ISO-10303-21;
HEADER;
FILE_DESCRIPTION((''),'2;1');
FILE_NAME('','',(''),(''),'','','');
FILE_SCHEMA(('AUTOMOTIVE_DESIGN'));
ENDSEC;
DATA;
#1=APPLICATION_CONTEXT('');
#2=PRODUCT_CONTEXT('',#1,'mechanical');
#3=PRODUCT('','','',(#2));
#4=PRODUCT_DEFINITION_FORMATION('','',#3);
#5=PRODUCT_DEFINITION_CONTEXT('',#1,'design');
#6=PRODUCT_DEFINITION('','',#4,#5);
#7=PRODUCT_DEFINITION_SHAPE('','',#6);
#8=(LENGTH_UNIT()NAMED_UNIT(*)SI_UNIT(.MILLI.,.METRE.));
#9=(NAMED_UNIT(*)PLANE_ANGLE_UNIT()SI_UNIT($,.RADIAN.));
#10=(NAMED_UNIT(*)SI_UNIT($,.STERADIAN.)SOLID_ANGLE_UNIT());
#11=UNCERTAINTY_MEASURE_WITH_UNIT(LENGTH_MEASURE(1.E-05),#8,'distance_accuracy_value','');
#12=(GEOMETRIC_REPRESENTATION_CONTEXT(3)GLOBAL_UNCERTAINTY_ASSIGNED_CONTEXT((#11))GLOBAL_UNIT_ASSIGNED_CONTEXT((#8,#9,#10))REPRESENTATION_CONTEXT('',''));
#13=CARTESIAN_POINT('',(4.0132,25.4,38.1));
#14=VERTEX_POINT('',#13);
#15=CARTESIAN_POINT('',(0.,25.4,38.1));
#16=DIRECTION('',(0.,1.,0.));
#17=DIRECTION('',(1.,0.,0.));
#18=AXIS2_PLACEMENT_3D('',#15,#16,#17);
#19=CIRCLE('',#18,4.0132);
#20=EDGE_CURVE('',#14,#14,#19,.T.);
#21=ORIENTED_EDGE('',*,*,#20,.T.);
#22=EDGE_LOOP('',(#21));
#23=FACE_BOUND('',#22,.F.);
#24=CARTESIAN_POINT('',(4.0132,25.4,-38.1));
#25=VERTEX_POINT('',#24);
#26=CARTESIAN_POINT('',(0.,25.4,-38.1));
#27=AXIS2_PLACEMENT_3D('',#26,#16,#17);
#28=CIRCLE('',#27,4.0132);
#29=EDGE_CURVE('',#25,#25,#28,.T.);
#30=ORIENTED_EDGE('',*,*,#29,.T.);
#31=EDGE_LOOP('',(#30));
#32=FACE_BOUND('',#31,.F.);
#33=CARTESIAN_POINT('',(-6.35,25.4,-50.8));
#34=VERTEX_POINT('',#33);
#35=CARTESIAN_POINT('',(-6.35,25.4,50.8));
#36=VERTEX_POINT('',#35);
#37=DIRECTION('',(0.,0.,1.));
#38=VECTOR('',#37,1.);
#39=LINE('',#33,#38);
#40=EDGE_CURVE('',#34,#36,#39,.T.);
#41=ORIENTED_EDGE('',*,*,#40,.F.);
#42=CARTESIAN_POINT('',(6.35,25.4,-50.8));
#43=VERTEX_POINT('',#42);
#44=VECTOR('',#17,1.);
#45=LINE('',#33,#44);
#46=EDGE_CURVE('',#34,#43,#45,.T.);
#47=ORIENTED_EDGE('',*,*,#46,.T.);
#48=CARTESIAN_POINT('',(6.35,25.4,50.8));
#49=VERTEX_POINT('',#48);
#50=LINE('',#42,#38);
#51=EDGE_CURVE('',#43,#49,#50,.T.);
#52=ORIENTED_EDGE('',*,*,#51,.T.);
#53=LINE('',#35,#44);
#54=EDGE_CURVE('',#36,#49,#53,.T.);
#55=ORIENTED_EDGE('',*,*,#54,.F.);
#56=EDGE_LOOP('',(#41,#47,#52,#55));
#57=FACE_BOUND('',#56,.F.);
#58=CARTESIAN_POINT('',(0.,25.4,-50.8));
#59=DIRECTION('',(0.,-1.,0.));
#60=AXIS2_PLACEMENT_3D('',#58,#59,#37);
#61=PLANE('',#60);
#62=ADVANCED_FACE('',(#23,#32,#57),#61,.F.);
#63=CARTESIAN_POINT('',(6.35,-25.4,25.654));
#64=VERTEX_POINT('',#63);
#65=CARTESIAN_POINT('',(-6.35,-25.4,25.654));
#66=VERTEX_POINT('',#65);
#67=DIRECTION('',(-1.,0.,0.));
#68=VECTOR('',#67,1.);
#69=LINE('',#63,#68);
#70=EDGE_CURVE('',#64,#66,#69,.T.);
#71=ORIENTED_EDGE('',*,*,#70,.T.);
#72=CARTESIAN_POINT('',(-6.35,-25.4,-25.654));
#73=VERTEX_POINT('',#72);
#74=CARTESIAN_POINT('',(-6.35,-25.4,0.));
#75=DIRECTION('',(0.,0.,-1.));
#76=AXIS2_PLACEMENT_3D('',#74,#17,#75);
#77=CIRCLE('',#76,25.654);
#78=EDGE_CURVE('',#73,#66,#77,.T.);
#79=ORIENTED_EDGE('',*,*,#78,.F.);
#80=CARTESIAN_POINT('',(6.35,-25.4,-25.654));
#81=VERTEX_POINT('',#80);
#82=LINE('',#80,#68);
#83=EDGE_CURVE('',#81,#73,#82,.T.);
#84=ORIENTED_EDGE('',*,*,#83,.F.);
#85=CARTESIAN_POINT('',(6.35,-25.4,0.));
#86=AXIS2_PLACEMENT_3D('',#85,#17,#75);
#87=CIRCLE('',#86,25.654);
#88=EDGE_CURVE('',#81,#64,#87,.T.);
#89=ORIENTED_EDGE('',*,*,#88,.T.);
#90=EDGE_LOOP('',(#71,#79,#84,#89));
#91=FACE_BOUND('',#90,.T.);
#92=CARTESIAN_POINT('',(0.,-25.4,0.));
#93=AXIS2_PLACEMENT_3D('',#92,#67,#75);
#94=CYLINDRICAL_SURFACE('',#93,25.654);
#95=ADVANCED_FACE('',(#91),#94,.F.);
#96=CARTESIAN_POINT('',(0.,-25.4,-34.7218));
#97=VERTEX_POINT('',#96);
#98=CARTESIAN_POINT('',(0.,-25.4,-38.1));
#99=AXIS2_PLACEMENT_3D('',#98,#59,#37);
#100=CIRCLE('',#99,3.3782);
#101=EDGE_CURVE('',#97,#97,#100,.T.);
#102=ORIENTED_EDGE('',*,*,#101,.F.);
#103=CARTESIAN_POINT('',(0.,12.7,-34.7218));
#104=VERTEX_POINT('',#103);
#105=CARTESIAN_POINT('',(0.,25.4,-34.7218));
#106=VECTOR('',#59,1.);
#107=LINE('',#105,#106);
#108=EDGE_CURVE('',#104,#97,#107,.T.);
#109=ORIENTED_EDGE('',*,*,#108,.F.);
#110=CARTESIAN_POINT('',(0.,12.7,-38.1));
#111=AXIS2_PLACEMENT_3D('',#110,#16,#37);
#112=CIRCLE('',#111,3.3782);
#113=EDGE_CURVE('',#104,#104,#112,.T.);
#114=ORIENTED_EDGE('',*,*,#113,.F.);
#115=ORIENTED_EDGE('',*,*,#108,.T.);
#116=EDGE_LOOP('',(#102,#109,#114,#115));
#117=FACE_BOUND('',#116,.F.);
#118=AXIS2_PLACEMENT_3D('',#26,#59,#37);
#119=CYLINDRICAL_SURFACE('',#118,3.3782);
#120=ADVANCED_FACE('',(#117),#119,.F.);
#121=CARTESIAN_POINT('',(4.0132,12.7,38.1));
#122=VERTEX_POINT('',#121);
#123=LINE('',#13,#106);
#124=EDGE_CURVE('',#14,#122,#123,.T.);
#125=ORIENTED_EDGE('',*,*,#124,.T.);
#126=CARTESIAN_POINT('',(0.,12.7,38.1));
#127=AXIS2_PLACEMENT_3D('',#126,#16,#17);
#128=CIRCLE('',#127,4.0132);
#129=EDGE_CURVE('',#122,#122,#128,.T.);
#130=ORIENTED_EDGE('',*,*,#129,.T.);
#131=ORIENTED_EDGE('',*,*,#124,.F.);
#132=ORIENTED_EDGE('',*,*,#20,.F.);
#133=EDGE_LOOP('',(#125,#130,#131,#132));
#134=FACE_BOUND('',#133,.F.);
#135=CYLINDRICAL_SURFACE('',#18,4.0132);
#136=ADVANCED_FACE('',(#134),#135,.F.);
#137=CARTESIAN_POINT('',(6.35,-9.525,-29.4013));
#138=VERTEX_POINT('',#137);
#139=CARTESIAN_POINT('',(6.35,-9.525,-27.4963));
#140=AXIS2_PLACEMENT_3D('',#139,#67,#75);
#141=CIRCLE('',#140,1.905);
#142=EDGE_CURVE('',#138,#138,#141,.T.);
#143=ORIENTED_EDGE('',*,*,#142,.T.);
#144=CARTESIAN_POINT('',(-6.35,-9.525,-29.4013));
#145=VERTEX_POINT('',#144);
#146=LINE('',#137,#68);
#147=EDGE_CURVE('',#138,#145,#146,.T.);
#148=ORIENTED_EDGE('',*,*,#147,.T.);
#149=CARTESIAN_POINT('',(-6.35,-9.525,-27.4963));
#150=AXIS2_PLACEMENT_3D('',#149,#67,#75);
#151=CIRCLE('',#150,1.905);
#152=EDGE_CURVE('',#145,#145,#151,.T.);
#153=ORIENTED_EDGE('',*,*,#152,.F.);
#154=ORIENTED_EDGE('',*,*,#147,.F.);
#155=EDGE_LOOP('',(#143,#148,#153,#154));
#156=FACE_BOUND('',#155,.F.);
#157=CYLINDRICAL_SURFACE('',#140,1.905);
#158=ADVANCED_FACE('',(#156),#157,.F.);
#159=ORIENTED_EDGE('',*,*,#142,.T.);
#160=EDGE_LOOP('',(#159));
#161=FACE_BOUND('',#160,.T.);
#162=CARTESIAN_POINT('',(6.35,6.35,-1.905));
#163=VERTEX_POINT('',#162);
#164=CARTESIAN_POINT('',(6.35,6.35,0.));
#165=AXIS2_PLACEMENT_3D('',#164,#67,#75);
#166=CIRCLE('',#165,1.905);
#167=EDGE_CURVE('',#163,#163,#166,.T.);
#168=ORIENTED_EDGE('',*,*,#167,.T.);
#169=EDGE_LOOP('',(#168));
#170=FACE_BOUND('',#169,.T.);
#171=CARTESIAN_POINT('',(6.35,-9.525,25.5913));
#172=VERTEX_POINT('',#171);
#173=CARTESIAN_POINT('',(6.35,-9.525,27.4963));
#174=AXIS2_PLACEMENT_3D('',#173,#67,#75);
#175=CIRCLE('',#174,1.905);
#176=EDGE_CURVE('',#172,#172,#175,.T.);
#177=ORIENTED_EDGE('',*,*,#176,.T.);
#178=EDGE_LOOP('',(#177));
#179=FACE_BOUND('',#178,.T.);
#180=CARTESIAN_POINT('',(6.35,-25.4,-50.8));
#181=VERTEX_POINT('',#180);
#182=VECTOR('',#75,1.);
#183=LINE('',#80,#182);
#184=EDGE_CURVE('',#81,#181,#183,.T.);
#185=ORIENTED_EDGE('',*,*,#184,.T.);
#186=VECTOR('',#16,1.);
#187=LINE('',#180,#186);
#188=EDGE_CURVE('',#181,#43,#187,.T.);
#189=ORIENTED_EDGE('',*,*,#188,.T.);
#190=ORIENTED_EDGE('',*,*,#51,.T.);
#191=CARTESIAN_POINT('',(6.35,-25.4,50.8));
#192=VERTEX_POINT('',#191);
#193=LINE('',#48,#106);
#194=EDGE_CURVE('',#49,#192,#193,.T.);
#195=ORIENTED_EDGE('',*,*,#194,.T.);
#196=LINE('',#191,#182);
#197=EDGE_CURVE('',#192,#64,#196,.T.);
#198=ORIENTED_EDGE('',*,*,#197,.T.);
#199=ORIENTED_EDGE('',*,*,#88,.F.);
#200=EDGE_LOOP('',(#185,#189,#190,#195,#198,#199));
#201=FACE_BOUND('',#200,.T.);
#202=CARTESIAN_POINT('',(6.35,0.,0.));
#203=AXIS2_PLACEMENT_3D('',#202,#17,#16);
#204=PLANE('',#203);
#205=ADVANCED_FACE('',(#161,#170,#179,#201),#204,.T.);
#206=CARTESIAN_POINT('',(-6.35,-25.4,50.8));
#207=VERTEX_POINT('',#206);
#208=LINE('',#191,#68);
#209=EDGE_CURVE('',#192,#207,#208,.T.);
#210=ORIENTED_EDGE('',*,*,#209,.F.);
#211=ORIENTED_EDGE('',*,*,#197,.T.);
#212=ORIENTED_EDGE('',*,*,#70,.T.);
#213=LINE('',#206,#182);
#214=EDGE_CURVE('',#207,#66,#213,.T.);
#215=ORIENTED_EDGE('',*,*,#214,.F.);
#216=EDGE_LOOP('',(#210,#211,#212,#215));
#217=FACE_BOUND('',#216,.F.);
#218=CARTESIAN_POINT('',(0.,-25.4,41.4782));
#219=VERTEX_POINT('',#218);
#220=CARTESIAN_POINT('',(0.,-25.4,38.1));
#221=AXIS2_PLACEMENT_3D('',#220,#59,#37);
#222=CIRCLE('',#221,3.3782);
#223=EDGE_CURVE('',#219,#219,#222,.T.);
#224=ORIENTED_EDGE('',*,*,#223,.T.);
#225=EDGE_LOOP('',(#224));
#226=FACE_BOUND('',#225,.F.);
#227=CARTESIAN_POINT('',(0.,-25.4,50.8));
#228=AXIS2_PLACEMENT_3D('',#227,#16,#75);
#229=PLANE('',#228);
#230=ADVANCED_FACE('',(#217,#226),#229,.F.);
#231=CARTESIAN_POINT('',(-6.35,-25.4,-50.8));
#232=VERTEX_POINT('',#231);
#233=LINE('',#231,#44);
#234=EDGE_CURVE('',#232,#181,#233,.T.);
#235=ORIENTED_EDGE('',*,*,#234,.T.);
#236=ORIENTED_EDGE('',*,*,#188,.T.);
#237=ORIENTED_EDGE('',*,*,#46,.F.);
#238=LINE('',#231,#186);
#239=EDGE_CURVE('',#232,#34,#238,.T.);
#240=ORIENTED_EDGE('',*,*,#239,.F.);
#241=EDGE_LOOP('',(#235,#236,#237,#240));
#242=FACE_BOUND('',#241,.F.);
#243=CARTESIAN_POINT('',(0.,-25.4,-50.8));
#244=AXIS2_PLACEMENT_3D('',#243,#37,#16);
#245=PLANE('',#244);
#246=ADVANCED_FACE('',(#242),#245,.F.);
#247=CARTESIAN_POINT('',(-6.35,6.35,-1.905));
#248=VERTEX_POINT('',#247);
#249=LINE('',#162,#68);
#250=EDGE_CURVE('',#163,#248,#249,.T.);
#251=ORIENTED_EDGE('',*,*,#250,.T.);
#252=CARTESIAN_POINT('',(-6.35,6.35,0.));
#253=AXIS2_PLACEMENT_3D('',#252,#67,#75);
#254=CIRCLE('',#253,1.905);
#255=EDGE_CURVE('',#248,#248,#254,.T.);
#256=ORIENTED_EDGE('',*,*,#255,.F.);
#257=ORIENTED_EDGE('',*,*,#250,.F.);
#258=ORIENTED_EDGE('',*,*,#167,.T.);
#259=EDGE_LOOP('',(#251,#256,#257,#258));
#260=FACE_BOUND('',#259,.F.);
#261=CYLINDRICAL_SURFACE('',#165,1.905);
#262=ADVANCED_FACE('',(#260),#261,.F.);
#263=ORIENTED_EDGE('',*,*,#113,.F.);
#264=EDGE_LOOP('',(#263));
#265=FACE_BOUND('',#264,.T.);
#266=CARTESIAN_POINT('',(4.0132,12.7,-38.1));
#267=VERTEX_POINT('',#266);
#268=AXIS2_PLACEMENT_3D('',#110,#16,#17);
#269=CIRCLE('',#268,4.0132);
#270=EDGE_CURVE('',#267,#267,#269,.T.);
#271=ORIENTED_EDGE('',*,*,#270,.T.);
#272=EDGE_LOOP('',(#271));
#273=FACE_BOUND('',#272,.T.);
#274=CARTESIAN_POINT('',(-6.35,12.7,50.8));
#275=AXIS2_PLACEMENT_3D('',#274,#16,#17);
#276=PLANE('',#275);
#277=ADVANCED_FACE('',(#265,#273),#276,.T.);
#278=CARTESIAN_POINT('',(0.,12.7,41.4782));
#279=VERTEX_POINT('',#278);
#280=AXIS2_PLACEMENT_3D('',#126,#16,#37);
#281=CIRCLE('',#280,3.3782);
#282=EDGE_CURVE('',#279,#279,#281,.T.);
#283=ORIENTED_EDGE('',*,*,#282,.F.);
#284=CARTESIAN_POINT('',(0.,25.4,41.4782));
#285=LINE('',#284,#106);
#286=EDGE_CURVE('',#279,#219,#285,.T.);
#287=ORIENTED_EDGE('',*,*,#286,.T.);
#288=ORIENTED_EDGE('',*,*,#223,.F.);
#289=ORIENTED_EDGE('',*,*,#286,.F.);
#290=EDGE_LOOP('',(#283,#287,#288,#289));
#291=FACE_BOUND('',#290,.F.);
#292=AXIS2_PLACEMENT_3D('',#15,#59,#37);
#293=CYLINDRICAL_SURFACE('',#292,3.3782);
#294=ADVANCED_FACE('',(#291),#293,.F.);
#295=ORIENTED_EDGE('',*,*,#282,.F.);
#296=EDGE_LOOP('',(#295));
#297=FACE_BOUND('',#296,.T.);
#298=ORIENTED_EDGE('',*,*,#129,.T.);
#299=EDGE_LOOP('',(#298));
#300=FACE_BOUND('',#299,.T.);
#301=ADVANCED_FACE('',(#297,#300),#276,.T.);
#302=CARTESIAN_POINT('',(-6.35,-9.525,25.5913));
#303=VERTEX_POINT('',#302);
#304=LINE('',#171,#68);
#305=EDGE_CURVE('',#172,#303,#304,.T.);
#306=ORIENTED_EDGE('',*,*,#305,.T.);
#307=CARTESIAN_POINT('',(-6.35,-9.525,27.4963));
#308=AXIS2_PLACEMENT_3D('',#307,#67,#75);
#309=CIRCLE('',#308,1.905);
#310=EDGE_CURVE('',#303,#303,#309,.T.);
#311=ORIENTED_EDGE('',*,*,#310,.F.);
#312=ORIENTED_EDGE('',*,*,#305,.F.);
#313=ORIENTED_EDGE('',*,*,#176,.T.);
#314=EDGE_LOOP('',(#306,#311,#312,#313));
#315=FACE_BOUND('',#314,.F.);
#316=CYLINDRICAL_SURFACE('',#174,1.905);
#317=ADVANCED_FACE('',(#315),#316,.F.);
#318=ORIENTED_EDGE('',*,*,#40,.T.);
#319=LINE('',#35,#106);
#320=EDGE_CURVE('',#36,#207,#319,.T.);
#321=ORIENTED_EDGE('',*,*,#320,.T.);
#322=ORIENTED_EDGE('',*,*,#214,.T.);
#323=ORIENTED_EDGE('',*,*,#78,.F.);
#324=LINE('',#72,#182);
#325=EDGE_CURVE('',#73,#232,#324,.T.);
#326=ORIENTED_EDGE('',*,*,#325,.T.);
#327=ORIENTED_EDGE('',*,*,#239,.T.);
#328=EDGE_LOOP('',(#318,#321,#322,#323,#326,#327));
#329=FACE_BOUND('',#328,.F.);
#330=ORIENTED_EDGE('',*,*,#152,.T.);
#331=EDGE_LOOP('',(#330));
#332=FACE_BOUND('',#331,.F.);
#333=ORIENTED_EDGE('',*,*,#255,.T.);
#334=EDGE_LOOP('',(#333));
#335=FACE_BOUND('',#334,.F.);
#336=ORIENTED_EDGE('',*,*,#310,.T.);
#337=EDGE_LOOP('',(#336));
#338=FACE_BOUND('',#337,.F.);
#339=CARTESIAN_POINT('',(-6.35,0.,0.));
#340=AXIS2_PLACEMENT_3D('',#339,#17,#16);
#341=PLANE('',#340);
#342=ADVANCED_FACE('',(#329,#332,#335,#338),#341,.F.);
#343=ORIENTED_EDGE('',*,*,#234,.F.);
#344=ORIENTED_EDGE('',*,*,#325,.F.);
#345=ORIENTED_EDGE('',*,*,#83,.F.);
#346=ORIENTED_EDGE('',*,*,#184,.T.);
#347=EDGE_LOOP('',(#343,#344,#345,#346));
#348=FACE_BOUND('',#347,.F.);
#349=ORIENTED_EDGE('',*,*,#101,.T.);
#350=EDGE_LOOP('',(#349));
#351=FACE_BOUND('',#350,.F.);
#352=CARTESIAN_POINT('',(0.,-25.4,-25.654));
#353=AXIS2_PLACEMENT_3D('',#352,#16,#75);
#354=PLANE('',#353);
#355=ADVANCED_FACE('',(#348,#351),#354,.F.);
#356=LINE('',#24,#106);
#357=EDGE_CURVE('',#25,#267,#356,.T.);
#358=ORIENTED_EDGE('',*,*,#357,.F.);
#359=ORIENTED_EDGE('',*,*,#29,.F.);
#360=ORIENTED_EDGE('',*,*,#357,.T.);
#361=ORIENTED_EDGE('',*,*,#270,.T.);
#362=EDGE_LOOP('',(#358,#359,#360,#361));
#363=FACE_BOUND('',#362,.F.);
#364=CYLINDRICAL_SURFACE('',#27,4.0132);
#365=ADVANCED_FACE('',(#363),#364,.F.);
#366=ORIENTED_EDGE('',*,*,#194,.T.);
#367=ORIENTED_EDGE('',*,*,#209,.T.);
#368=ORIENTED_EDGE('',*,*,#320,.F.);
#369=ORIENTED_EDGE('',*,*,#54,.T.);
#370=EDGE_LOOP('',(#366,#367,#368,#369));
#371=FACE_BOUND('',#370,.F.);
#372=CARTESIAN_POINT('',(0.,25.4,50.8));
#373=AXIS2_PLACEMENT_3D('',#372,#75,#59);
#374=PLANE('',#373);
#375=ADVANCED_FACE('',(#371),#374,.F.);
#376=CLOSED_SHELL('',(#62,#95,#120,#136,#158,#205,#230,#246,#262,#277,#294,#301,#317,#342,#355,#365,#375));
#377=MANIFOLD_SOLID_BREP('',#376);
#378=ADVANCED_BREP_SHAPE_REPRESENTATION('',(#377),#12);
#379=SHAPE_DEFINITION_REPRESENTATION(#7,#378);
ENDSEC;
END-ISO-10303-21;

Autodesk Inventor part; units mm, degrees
ref_plane "YZ Plane" through (0, 0, 0) normal (1, 0, 0) x (0, 1, 0)
ref_plane "XZ Plane" through (0, 0, 0) normal (0, 1, 0) x (-1, 0, 0)
ref_plane "XY Plane" through (0, 0, 0) normal (0, 0, 1) x (1, 0, 0)
sketch "Sketch1" plane through (0, 0, 0) normal (1, 0, 0) x (0, 1, 0)
  line L0 (-25.4, -50.8) -> (25.4, -50.8)
  line L1 (25.4, -50.8) -> (25.4, 50.8)
  line L2 (25.4, 50.8) -> (-25.4, 50.8)
  line L3 (-25.4, 50.8) -> (25.4, -50.8) construction
  line L4 (-25.4, -50.8) -> (25.4, 50.8) construction
  arc A0 (-25.4, -25.654) -> (-25.4, 25.654) centre (-25.4, 0) ccw
  line L5 (-25.4, 50.8) -> (-25.4, 25.654)
  line L6 (-25.4, -25.654) -> (-25.4, -50.8)
  point P0 (0, 0)
  dimension "d0" = 101.6
  dimension "d1" = 50.8
  dimension "d2" = 51.308
  dimension "d6" = 50.8
  dimension "d7" = 50.8
extrude "Extrusion1" add sketch "Sketch1" along normal mid plane 12.7
sketch "Sketch3" plane through (6.35, 0, 0) normal (1, 0, 0) x (0, 0, -1)
  circle A0 centre (0, -25.4) radius 31.75 construction
  point P0 (0, 0)
  point P1 (0, 6.35)
  point P2 (0, 6.35)
  point P3 (-27.4963, -9.525)
  point P4 (-27.4963, -41.275)
  point P5 (0, -57.15)
  point P6 (27.4963, -41.275)
  point P7 (27.4963, -9.525)
  dimension "d17" = 360
hole "Hole2" at (6.35, 6.35, 0) at (6.35, -9.525, 27.4963) at (6.35, -41.275, 27.4963) at (6.35, -57.15, 0) at (6.35, -41.275, -27.4963) at (6.35, -9.525, -27.4963) direction (-1, 0, 0) diameter 3.81 end through all clearance for "Flat Head Machine Screw (82)" size "#6" standard "Ansi Unified Screw Threads"
sketch "Sketch4" plane through (-6.35, 25.4, 50.8) normal (0, 1, 0) x (1, 0, 0)
  line L0 (12.7, 0) -> (0, 0) construction
  line L1 (6.35, 0) -> (6.35, 101.6) construction
  line L2 (12.7, 101.6) -> (0, 101.6) construction
  point P0 (6.35, 50.8)
  point P1 (6.35, 12.7)
  point P2 (6.35, 88.9)
  dimension "d26" = 12.7
  dimension "d27" = 12.7
hole "Hole3" at (0, 25.4, 38.1) at (0, 25.4, -38.1) direction (0, -1, 0) diameter 6.7564 end through all clearance for "Flat Head Machine Screw (82)" size "1/4" standard "Ansi Unified Screw Threads"
sketch "Sketch5" plane through (-6.35, 25.4, 50.8) normal (0, 1, 0) x (1, 0, 0)
  circle A0 centre (6.35, 88.9) radius 3.3782 projected
  circle A1 centre (6.35, 88.9) radius 4.0132
  circle A2 centre (6.35, 12.7) radius 3.3782 projected
  circle A3 centre (6.35, 12.7) radius 4.0132
  point P0 (6.35, 50.8)
  dimension "d35" = 8.0264
extrude "Extrusion2" cut sketch "Sketch5" against normal blind 12.7
properties part number "BottomOfSupportForAxel" material "PBT Plastic"
